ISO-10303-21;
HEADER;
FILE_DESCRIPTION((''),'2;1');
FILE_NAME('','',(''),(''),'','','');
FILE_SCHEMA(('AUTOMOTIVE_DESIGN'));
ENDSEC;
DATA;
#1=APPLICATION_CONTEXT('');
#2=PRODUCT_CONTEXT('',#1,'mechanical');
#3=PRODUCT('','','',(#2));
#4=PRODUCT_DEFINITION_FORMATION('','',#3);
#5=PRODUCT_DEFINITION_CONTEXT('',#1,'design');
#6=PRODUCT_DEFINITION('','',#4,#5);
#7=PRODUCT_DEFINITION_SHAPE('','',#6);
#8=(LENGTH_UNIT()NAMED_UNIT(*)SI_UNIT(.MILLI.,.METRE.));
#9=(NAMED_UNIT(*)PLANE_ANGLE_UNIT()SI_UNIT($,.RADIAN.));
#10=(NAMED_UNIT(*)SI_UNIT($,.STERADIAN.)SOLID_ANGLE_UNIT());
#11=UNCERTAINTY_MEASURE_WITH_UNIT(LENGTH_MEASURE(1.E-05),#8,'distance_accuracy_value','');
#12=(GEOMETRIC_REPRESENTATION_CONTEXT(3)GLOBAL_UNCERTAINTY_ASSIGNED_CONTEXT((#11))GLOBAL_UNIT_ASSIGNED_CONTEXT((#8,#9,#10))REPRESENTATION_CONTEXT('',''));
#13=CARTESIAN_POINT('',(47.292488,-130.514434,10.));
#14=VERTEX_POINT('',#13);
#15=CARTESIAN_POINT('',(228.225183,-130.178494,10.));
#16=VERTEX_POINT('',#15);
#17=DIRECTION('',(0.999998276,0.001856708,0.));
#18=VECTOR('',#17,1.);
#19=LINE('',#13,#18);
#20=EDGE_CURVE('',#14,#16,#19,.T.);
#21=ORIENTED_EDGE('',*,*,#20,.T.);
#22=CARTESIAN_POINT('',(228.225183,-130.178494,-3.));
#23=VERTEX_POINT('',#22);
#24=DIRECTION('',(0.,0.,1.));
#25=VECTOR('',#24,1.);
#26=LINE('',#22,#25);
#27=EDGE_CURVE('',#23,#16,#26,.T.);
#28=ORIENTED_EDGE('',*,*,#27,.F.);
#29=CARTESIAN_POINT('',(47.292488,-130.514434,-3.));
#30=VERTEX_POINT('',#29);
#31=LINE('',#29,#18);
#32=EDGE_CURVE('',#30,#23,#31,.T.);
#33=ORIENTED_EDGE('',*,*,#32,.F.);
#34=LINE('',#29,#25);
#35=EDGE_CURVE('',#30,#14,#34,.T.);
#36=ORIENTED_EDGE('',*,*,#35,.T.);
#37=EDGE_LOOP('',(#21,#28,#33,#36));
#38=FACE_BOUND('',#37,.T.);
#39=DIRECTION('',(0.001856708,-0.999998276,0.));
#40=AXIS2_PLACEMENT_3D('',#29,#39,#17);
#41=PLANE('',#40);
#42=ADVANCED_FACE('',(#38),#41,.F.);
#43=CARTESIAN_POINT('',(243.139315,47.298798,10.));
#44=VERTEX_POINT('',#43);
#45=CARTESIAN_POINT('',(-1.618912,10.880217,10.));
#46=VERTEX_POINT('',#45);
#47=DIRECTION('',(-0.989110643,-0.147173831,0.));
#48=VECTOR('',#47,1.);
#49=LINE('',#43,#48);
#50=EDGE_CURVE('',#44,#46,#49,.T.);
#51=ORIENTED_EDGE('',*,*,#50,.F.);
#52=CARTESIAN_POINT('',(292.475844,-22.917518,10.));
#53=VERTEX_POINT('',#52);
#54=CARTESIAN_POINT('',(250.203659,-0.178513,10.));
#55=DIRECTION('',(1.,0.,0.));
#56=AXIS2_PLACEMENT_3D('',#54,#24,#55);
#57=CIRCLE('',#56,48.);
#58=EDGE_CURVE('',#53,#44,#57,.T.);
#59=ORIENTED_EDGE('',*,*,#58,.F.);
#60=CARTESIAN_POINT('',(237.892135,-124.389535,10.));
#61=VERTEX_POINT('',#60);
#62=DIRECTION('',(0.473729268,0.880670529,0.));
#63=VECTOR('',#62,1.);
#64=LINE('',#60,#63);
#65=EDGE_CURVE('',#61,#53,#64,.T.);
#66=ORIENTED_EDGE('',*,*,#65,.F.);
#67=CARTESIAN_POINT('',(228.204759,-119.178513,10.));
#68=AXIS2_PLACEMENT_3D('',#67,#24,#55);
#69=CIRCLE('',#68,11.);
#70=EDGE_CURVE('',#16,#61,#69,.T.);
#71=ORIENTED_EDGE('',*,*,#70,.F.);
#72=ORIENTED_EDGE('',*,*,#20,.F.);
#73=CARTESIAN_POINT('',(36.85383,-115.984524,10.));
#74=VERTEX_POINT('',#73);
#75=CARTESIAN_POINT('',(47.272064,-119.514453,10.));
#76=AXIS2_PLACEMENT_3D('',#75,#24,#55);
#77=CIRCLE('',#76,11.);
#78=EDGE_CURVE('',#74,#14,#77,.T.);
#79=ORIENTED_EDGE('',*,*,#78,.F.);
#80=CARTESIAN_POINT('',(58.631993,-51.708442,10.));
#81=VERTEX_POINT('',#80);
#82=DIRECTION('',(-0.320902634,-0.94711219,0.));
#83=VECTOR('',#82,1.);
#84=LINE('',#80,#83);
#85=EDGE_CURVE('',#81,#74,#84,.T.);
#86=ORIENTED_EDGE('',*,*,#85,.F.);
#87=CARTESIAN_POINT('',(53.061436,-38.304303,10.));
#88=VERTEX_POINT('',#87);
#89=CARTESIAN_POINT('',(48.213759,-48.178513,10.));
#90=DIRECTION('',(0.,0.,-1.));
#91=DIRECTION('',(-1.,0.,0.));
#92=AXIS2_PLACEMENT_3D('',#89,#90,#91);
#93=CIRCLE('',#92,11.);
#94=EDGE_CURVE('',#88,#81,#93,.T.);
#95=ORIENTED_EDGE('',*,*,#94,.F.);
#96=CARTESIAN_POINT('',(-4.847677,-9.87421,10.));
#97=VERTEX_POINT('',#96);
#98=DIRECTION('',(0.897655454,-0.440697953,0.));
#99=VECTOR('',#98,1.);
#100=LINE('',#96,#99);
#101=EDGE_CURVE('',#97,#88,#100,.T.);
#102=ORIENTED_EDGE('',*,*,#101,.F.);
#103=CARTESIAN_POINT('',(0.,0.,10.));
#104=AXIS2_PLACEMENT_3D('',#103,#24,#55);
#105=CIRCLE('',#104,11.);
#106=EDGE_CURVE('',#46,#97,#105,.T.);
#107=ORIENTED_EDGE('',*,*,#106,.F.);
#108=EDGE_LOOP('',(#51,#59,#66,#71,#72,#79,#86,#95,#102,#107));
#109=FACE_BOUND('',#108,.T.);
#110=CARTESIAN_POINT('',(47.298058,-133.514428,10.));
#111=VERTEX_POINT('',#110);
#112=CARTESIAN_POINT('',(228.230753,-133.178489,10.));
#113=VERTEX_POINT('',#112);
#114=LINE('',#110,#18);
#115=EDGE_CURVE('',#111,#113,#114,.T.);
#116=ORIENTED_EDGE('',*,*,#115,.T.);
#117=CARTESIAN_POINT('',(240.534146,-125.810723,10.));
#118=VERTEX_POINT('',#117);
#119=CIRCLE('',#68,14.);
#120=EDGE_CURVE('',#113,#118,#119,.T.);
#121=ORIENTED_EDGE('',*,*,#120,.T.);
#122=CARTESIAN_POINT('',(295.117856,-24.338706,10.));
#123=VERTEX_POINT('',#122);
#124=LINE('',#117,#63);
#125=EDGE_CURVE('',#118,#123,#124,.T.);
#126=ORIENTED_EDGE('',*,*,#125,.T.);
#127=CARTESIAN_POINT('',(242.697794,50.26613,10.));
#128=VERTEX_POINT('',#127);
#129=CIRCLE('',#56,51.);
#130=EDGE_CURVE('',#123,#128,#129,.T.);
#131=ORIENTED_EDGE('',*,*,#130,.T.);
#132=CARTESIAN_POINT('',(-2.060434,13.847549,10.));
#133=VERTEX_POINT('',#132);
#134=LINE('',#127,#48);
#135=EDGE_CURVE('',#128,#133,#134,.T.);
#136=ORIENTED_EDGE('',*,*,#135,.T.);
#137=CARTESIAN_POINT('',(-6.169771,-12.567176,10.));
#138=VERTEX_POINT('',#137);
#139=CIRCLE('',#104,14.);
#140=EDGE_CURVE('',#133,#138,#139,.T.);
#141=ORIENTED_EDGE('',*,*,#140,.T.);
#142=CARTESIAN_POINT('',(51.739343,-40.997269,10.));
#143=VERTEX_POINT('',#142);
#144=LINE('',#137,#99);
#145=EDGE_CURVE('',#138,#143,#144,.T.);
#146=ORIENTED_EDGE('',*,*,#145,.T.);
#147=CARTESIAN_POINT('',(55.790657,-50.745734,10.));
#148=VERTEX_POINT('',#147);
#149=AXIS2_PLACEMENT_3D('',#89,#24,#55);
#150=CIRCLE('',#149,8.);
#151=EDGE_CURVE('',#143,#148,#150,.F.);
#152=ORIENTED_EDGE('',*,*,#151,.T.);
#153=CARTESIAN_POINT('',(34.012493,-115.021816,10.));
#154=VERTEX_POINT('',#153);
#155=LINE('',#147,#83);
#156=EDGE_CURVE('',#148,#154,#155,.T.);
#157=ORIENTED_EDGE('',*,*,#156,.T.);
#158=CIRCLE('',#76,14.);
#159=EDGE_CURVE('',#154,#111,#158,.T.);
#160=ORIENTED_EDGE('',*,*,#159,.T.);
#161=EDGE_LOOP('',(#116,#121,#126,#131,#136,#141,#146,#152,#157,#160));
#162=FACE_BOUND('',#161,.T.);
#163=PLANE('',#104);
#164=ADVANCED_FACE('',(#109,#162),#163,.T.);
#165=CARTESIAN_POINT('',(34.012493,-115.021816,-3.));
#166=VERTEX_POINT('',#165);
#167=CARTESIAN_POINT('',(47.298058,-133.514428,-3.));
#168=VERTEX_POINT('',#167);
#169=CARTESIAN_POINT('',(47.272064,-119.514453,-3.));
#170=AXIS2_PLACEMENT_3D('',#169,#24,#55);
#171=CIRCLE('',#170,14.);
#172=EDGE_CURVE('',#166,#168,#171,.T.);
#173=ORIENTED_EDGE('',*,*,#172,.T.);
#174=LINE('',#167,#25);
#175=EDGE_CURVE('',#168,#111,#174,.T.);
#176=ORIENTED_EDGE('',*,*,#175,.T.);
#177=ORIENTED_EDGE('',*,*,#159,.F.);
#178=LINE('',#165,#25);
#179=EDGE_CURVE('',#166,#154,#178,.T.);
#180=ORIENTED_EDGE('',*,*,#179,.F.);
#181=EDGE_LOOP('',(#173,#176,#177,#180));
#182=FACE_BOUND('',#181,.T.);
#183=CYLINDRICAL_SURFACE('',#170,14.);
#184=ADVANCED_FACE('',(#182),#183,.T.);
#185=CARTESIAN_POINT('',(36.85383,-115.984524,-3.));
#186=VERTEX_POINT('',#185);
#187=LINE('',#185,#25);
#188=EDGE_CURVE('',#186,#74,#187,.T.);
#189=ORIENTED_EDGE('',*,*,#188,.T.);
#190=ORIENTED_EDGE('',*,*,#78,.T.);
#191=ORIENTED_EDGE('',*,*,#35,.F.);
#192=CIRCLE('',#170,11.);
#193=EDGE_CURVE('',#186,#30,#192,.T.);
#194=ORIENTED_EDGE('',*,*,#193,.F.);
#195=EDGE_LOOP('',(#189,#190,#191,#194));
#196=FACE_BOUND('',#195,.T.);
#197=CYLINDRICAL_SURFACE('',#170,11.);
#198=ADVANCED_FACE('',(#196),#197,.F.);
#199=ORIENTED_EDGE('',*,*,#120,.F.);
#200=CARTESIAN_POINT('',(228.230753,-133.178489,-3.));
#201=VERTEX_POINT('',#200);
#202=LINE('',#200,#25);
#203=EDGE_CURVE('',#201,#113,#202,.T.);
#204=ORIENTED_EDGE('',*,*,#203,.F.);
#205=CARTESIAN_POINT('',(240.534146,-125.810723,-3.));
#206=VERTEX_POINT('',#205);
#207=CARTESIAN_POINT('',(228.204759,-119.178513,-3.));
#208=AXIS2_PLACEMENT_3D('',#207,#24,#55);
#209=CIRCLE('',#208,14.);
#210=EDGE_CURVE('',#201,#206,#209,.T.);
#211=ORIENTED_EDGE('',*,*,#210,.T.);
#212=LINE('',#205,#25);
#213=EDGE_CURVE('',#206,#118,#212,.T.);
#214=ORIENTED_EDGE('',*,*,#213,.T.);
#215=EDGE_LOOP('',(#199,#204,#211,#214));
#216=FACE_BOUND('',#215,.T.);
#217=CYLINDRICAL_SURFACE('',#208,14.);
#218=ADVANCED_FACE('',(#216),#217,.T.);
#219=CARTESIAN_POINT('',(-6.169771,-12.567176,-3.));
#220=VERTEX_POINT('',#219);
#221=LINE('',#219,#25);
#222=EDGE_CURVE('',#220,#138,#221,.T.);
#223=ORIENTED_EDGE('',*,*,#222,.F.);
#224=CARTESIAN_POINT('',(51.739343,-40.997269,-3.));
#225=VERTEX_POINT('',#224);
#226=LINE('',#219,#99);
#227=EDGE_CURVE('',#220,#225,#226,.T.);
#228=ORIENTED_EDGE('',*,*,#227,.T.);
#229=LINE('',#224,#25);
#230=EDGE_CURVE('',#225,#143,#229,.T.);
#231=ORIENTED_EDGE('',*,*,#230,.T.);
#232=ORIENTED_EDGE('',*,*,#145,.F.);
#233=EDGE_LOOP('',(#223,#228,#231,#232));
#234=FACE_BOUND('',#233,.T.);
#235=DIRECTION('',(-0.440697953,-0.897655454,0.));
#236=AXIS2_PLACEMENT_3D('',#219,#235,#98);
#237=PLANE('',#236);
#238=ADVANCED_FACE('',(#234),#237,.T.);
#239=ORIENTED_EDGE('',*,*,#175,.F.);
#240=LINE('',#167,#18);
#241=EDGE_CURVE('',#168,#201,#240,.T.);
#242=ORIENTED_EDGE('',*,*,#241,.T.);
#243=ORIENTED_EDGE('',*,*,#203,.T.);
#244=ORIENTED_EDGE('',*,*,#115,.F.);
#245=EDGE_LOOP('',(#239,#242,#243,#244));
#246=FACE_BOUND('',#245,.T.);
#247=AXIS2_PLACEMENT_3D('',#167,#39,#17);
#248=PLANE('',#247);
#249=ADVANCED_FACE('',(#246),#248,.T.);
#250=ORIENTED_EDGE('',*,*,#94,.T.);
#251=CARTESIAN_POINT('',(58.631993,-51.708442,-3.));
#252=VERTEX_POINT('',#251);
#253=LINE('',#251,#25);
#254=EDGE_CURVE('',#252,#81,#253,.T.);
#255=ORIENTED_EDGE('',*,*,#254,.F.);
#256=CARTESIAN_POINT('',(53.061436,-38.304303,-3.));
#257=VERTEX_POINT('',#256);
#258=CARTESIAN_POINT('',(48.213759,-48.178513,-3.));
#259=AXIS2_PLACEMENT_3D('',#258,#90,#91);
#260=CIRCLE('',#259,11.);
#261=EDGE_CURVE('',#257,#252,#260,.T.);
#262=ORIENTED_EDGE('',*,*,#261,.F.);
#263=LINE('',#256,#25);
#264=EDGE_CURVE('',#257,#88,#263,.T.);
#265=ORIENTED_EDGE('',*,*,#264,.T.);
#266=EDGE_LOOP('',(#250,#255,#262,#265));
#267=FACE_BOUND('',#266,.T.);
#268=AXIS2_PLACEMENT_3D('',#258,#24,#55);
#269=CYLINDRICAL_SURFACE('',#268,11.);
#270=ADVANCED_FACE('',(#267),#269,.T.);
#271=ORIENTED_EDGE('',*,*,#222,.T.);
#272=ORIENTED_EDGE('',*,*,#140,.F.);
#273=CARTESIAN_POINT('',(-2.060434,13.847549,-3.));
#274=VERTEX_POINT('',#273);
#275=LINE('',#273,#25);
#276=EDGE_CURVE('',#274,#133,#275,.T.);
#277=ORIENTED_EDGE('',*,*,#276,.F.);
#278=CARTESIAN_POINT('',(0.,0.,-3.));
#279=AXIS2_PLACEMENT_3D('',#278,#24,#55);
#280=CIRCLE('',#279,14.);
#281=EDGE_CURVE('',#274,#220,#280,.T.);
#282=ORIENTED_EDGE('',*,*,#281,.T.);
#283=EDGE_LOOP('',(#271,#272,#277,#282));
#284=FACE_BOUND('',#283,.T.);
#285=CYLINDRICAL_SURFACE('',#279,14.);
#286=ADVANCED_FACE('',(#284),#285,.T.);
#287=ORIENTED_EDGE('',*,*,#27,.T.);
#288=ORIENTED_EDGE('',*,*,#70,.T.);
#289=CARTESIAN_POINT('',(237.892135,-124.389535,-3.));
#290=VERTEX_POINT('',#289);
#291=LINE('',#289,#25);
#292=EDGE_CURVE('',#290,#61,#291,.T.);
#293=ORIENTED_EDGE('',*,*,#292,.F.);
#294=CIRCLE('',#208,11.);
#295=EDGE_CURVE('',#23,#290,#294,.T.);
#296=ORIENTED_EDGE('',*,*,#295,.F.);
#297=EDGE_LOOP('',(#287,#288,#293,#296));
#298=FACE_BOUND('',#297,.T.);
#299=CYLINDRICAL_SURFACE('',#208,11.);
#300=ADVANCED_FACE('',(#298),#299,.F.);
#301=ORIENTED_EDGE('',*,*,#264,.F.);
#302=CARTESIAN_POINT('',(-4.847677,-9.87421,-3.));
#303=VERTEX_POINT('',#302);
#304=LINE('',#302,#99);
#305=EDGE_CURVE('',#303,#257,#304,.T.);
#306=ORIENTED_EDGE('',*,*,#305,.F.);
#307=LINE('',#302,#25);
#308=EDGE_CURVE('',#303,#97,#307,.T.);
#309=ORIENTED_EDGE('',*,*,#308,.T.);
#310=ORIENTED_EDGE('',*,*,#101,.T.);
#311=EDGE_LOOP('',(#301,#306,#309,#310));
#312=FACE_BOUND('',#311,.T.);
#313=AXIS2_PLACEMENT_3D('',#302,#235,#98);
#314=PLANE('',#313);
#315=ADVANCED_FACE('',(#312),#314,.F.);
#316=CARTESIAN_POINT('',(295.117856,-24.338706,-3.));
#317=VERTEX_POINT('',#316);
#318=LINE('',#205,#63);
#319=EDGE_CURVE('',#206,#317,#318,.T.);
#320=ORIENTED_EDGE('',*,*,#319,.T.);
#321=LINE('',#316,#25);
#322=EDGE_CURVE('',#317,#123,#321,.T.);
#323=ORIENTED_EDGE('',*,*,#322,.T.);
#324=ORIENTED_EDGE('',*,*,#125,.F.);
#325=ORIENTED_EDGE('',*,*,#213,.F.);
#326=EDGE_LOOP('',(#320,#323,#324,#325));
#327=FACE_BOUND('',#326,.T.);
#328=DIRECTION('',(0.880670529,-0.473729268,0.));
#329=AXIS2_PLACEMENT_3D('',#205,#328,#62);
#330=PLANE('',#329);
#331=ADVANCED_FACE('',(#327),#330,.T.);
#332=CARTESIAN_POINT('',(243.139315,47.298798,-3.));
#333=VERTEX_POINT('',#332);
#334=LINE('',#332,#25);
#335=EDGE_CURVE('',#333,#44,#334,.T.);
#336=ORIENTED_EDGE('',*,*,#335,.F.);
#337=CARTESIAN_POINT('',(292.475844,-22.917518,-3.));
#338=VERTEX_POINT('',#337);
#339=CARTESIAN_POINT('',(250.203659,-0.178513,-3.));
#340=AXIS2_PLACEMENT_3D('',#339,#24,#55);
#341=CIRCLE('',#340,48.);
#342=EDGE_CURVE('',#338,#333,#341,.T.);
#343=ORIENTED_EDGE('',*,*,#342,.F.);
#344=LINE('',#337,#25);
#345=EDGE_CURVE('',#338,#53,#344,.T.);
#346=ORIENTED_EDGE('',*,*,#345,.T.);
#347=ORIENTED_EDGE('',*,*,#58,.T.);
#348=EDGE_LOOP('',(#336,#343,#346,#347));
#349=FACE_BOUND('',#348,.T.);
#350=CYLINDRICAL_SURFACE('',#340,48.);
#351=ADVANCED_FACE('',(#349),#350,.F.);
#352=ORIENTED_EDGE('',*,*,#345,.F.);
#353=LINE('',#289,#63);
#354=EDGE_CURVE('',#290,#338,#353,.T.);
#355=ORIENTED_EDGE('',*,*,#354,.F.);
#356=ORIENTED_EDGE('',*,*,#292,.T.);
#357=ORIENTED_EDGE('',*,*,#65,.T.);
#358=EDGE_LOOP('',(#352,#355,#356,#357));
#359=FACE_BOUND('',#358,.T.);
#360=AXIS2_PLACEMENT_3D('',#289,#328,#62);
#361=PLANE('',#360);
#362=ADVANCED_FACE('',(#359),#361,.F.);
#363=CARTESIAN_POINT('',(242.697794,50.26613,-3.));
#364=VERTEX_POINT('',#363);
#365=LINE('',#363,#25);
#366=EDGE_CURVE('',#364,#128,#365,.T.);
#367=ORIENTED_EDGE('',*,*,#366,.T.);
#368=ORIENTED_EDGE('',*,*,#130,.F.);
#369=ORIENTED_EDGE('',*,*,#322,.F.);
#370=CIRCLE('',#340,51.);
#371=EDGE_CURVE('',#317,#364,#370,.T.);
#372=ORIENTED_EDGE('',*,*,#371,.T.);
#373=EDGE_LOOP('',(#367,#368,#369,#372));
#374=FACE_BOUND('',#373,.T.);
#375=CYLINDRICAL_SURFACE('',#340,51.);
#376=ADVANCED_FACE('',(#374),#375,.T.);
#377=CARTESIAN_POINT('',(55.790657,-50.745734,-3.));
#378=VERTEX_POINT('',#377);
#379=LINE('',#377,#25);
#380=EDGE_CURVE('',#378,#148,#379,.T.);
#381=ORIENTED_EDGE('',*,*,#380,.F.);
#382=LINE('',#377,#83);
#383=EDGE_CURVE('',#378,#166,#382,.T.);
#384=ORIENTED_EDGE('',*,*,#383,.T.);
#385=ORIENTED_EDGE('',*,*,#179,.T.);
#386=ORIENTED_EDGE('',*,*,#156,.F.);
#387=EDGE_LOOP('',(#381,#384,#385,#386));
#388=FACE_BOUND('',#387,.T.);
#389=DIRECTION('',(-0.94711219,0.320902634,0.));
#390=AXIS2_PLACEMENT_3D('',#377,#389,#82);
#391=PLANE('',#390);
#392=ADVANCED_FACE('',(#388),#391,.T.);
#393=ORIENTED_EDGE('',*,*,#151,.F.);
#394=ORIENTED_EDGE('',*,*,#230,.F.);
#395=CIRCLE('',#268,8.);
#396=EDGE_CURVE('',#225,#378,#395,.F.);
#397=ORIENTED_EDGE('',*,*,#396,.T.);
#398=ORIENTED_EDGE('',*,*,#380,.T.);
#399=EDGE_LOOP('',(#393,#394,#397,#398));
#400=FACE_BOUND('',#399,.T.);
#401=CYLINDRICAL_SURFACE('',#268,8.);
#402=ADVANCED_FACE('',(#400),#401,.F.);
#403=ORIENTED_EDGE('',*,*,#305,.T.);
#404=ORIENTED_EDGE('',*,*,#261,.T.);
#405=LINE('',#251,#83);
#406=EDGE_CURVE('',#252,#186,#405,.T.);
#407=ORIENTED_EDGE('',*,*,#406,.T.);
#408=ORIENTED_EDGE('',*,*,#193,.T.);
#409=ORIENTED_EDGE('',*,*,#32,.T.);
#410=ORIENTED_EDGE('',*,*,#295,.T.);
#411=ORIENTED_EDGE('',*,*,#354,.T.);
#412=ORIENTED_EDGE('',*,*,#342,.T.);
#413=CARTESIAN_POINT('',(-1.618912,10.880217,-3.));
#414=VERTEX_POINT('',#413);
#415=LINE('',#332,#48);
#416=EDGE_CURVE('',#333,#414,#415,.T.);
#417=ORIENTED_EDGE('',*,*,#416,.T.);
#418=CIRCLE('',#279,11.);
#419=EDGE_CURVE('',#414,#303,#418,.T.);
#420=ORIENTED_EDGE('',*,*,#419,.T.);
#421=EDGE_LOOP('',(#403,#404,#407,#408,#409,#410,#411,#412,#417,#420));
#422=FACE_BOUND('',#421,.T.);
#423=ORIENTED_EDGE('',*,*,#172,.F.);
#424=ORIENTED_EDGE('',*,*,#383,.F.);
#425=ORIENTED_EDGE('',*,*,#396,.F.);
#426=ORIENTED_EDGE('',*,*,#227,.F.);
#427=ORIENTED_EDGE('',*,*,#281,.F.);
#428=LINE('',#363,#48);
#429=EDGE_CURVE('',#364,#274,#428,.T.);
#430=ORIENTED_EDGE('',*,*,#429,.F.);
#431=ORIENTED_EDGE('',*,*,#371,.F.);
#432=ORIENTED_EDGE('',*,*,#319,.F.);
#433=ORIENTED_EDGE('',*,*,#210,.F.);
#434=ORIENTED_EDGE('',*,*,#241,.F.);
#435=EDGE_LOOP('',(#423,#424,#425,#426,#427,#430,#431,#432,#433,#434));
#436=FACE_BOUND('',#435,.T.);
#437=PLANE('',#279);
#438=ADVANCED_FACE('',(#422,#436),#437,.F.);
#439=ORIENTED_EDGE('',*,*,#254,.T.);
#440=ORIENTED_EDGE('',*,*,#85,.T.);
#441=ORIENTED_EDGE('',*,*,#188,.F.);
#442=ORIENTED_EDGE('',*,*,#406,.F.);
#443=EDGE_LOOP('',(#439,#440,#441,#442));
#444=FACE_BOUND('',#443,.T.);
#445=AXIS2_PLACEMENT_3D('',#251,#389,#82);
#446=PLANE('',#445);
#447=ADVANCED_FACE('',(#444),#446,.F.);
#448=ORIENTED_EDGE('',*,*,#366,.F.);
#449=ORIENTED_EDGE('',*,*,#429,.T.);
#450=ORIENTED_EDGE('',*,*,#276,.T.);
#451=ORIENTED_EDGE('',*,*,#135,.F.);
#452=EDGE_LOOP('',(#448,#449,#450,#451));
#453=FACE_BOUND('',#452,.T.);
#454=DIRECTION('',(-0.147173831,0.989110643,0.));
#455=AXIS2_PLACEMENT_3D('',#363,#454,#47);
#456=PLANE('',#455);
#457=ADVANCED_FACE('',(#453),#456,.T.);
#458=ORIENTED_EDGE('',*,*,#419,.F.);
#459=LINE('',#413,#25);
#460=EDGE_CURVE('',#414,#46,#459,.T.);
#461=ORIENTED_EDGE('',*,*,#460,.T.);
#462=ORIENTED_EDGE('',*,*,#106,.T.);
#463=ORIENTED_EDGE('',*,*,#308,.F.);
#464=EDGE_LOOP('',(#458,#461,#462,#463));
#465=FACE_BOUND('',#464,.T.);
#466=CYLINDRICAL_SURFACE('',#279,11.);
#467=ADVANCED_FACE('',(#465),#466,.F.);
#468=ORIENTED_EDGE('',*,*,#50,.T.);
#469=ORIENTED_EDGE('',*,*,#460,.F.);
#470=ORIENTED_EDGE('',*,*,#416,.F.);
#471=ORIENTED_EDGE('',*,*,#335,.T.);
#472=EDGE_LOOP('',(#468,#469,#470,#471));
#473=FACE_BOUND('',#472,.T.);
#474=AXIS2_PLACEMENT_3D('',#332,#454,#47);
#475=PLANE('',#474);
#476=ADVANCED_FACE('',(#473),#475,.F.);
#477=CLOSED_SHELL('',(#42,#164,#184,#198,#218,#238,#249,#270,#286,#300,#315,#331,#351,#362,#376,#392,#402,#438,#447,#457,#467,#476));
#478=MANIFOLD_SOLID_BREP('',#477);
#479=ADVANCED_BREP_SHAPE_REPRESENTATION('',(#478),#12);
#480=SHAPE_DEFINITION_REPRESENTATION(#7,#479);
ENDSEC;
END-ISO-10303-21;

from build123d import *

# Parameters (mm, degrees)
EXTRUDE_THIN1_DEPTH      = 10
EXTRUDE_THIN1_DEPTH_BACK = 3


with BuildPart() as part:
    # Sketch2 → Extrude-Thin1 (new, two sides: drawn at the far end of the back side and taken through both)
    with BuildSketch(Plane.XY.offset(-EXTRUDE_THIN1_DEPTH_BACK)):
        with BuildLine():
            Line((242.697793623, 50.266129876), (-2.060433635, 13.847548997))
            ThreePointArc((-2.060433635, 13.847548997), (-13.833600307, 2.152092613), (-6.16977134, -12.56717636))
            Line((-6.16977134, -12.56717636), (51.739342618, -40.997269268))
            ThreePointArc((51.739342618, -40.997269268), (55.601208684, -45.108400995), (55.790656513, -50.745733973))
            Line((55.790656513, -50.745733973), (34.012493217, -115.021815701))
            ThreePointArc((34.012493217, -115.021815701), (35.902100375, -127.682924287), (47.298057776, -133.514428444))
            Line((47.298057776, -133.514428444), (228.230752902, -133.17848877))
            ThreePointArc((228.230752902, -133.17848877), (235.397453639, -131.189555479), (240.534146402, -125.810722655))
            Line((240.534146402, -125.810722655), (295.117855974, -24.338705573))
            ThreePointArc((295.117855974, -24.338705573), (291.932739821, 29.141852266), (242.697793623, 50.266129876))
        make_face()
        with BuildLine():
            Line((243.139315115, 47.298797948), (-1.618912142, 10.880217069))
            ThreePointArc((-1.618912142, 10.880217069), (-10.869257385, 1.69092991), (-4.847677482, -9.874209997))
            Line((-4.847677482, -9.874209997), (53.061436476, -38.304302905))
            ThreePointArc((53.061436476, -38.304302905), (58.371502316, -43.95710903), (58.631993081, -51.708441875))
            Line((58.631993081, -51.708441875), (36.853829786, -115.984523603))
            ThreePointArc((36.853829786, -115.984523603), (38.338521124, -125.932537492), (47.292487653, -130.514433615))
            Line((47.292487653, -130.514433615), (228.225182779, -130.178493941))
            ThreePointArc((228.225182779, -130.178493941), (233.85616193, -128.615760641), (237.892134815, -124.389534851))
            Line((237.892134815, -124.389534851), (292.475844387, -22.917517769))
            ThreePointArc((292.475844387, -22.917517769), (289.478088008, 27.417124903), (243.139315115, 47.298797948))
        make_face(mode=Mode.SUBTRACT)
    extrude(amount=EXTRUDE_THIN1_DEPTH + EXTRUDE_THIN1_DEPTH_BACK)


solid = part.part
